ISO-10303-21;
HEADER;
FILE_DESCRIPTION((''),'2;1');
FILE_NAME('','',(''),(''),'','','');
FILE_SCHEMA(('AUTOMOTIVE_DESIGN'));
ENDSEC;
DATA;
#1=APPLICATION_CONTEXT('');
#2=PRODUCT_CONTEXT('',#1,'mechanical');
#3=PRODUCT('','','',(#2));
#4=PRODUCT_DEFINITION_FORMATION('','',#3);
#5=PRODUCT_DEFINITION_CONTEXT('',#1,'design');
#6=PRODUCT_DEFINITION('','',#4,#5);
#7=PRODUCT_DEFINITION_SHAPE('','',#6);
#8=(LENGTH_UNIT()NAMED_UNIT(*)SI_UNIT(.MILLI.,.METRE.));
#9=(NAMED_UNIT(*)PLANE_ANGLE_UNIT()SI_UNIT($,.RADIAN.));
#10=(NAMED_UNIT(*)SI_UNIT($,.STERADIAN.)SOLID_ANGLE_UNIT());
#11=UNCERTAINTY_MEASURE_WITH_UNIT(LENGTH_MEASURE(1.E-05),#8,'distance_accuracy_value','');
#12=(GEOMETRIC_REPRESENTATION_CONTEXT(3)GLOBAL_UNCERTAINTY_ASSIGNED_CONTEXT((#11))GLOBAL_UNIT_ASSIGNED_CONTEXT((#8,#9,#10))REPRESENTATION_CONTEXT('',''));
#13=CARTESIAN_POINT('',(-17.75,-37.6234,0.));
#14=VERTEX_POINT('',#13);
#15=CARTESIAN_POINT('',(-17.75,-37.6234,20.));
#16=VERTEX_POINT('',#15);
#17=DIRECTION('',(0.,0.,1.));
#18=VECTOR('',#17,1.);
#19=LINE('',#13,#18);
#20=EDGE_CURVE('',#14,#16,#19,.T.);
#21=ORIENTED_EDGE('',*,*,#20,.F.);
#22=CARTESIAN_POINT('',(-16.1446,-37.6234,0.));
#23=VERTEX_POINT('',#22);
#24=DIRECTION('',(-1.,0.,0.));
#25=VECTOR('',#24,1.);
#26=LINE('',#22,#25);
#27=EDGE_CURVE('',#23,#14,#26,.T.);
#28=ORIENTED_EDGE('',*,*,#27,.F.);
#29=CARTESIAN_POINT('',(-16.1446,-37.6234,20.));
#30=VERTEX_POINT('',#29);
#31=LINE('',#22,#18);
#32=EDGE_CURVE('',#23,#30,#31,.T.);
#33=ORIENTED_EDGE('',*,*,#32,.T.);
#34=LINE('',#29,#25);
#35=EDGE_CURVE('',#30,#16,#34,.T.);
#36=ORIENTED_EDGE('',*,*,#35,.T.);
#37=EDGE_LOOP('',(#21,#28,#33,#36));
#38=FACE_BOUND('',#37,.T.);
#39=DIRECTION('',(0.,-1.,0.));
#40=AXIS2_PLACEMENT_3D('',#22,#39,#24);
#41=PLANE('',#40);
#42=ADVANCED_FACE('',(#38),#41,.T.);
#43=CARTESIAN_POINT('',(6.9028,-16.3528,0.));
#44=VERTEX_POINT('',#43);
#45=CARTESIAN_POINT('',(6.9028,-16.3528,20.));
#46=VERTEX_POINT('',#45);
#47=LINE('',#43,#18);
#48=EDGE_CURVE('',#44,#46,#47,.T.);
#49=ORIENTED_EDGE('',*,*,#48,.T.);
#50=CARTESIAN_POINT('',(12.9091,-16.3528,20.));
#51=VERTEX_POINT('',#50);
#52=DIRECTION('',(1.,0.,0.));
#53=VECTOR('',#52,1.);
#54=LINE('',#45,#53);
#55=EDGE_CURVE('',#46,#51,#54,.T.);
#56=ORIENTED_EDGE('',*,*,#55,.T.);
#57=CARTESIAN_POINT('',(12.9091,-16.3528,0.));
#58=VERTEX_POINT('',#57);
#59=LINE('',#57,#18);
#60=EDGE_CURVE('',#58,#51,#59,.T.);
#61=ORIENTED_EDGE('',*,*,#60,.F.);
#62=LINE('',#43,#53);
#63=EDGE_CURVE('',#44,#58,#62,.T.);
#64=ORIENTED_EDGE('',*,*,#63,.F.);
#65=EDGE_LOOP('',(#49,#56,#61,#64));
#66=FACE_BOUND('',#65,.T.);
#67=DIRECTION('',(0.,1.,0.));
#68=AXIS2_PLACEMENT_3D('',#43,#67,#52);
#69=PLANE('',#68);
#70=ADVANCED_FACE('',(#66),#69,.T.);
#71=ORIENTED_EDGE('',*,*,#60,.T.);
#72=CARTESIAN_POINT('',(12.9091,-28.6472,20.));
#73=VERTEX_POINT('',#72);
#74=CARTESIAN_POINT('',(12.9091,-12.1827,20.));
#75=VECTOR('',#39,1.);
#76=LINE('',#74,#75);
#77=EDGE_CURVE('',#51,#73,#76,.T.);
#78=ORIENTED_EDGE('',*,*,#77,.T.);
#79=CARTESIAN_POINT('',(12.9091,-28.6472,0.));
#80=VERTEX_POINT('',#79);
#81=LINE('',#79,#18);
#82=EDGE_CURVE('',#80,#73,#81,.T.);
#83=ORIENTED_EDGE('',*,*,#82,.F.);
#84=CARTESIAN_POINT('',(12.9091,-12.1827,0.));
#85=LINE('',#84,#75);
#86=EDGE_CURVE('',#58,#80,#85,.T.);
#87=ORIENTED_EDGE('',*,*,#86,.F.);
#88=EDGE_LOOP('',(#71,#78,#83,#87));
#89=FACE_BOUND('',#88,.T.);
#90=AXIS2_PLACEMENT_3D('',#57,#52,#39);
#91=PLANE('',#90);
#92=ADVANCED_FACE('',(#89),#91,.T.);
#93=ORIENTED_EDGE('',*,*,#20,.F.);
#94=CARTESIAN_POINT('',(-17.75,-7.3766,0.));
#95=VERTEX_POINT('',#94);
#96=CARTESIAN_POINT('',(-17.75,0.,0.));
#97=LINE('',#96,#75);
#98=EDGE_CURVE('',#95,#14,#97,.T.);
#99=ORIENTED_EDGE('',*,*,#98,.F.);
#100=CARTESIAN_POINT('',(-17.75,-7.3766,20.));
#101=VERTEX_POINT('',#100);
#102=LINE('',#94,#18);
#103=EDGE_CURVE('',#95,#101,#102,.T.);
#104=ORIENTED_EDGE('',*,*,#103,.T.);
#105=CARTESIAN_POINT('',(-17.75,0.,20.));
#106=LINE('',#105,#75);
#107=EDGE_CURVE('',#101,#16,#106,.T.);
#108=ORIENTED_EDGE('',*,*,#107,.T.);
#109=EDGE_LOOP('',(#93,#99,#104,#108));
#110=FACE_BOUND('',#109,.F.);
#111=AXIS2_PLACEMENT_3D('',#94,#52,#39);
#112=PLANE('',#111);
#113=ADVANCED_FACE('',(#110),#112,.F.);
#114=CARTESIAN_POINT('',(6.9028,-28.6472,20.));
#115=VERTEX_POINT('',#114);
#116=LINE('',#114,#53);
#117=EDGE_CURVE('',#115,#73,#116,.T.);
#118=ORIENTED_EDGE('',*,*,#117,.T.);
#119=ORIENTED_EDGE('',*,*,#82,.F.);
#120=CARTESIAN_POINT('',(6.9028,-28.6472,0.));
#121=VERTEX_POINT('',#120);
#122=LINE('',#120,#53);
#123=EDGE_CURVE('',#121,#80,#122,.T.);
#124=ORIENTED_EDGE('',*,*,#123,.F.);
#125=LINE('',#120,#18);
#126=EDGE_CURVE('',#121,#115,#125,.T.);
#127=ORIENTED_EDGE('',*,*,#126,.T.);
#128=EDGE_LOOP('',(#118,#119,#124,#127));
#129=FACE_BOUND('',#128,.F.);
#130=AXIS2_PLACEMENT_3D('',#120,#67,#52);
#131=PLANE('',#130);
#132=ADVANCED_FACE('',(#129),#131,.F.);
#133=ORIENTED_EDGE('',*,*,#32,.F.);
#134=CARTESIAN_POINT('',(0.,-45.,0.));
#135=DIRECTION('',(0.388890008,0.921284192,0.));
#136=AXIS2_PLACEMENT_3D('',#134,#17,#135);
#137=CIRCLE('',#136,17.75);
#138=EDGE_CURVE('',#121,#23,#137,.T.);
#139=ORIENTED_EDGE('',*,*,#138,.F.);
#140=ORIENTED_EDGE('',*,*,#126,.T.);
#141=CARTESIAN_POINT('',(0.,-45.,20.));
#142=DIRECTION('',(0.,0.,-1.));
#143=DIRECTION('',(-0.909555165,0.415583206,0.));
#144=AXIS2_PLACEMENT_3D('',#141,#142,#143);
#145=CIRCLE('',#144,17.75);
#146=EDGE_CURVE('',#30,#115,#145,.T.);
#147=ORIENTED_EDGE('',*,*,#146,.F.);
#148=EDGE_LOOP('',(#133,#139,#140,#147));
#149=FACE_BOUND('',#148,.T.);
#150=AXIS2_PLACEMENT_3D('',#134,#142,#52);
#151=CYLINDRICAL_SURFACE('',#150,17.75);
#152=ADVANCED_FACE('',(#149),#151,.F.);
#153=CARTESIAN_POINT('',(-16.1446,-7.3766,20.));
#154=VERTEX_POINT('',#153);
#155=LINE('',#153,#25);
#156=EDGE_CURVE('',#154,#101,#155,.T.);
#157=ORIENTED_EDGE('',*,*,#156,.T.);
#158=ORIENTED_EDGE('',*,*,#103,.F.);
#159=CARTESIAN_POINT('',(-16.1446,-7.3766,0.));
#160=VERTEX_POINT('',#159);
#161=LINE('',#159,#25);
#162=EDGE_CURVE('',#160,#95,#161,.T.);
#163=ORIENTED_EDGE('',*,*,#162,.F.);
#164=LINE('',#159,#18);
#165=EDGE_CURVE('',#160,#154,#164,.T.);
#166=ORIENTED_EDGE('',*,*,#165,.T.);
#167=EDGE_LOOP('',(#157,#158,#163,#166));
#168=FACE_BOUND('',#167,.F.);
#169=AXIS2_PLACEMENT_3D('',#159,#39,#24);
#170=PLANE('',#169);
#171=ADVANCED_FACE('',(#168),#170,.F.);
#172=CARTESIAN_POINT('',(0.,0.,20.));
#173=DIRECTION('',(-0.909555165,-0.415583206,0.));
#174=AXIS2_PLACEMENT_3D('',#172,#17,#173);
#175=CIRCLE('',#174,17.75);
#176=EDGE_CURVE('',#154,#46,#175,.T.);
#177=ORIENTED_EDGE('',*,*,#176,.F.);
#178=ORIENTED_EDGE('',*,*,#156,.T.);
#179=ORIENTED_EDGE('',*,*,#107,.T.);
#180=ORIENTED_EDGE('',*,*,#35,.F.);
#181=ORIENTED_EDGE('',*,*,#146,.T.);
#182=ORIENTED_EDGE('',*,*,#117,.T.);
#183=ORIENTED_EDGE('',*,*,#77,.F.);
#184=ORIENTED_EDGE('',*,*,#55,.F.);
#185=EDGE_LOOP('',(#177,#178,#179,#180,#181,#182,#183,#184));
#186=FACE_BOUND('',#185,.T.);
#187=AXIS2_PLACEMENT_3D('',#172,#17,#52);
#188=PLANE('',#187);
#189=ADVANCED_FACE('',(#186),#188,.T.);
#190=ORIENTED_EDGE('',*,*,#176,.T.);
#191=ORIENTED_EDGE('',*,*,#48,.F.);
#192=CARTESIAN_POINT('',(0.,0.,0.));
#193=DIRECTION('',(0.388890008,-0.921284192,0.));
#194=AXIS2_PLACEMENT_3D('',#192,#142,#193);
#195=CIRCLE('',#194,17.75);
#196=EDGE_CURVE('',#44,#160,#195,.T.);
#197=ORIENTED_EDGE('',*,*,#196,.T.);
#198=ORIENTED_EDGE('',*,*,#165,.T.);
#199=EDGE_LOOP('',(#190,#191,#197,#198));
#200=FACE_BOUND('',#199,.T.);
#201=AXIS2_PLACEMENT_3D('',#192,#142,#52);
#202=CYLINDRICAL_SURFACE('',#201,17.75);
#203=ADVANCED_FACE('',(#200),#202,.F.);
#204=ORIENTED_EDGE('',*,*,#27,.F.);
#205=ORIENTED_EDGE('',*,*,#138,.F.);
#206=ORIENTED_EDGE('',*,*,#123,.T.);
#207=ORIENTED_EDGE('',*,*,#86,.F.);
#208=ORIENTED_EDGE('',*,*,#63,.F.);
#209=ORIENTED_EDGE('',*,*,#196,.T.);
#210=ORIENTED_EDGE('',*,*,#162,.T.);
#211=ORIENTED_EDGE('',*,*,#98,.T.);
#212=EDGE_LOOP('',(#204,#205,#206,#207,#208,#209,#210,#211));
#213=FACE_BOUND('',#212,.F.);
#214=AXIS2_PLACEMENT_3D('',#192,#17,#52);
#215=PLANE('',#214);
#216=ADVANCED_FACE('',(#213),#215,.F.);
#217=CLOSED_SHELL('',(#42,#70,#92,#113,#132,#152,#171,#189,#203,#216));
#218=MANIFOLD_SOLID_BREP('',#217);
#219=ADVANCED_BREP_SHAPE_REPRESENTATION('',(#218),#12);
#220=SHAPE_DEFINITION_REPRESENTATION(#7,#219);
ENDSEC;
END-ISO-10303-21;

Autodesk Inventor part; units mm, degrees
ref_plane "YZ Plane" through (0, 0, 0) normal (1, 0, 0) x (0, 1, 0)
ref_plane "XZ Plane" through (0, 0, 0) normal (0, 1, 0) x (-1, 0, 0)
ref_plane "XY Plane" through (0, 0, 0) normal (0, 0, 1) x (1, 0, 0)
sketch "Эскиз1" plane through (0, 0, 0) normal (0, 0, 1) x (1, 0, 0)
  circle A0 centre (0, 0) radius 17.75
  line L0 (0, 0) -> (0, -45)
  circle A1 centre (0, -45) radius 17.75
  line L1 (12.9091, -12.1827) -> (12.9091, -32.8173)
  line L2 (-17.75, 0) -> (-17.75, -45)
  line L3 (9.8694, -14.7532) -> (14.166, -14.7532)
  line L4 (9.8694, -30.2468) -> (17.166, -30.2468)
  line L5 (-16.1446, -7.3766) -> (-17.75, -7.3766)
  line L6 (-16.1446, -37.6234) -> (-17.75, -37.6234)
  line L7 (6.9028, -16.3528) -> (15.2579, -16.3528)
  line L8 (6.9028, -28.6472) -> (17.9028, -28.6472)
  point P0 (12.9091, -30.2468)
  point P1 (12.9091, -14.7532)
  point P2 (12.9091, -28.6472)
  point P3 (12.9091, -16.3528)
  dimension "d0" = 35.5
  dimension "d1" = 45
  dimension "d2" = 35.5
extrude "Выдавливание1" add sketch "Эскиз1" along normal blind 20 contours A0 L0 A1 L6 L2 L5 | A0 L7 L1 L8 A1 L0
properties part number "распорка"
